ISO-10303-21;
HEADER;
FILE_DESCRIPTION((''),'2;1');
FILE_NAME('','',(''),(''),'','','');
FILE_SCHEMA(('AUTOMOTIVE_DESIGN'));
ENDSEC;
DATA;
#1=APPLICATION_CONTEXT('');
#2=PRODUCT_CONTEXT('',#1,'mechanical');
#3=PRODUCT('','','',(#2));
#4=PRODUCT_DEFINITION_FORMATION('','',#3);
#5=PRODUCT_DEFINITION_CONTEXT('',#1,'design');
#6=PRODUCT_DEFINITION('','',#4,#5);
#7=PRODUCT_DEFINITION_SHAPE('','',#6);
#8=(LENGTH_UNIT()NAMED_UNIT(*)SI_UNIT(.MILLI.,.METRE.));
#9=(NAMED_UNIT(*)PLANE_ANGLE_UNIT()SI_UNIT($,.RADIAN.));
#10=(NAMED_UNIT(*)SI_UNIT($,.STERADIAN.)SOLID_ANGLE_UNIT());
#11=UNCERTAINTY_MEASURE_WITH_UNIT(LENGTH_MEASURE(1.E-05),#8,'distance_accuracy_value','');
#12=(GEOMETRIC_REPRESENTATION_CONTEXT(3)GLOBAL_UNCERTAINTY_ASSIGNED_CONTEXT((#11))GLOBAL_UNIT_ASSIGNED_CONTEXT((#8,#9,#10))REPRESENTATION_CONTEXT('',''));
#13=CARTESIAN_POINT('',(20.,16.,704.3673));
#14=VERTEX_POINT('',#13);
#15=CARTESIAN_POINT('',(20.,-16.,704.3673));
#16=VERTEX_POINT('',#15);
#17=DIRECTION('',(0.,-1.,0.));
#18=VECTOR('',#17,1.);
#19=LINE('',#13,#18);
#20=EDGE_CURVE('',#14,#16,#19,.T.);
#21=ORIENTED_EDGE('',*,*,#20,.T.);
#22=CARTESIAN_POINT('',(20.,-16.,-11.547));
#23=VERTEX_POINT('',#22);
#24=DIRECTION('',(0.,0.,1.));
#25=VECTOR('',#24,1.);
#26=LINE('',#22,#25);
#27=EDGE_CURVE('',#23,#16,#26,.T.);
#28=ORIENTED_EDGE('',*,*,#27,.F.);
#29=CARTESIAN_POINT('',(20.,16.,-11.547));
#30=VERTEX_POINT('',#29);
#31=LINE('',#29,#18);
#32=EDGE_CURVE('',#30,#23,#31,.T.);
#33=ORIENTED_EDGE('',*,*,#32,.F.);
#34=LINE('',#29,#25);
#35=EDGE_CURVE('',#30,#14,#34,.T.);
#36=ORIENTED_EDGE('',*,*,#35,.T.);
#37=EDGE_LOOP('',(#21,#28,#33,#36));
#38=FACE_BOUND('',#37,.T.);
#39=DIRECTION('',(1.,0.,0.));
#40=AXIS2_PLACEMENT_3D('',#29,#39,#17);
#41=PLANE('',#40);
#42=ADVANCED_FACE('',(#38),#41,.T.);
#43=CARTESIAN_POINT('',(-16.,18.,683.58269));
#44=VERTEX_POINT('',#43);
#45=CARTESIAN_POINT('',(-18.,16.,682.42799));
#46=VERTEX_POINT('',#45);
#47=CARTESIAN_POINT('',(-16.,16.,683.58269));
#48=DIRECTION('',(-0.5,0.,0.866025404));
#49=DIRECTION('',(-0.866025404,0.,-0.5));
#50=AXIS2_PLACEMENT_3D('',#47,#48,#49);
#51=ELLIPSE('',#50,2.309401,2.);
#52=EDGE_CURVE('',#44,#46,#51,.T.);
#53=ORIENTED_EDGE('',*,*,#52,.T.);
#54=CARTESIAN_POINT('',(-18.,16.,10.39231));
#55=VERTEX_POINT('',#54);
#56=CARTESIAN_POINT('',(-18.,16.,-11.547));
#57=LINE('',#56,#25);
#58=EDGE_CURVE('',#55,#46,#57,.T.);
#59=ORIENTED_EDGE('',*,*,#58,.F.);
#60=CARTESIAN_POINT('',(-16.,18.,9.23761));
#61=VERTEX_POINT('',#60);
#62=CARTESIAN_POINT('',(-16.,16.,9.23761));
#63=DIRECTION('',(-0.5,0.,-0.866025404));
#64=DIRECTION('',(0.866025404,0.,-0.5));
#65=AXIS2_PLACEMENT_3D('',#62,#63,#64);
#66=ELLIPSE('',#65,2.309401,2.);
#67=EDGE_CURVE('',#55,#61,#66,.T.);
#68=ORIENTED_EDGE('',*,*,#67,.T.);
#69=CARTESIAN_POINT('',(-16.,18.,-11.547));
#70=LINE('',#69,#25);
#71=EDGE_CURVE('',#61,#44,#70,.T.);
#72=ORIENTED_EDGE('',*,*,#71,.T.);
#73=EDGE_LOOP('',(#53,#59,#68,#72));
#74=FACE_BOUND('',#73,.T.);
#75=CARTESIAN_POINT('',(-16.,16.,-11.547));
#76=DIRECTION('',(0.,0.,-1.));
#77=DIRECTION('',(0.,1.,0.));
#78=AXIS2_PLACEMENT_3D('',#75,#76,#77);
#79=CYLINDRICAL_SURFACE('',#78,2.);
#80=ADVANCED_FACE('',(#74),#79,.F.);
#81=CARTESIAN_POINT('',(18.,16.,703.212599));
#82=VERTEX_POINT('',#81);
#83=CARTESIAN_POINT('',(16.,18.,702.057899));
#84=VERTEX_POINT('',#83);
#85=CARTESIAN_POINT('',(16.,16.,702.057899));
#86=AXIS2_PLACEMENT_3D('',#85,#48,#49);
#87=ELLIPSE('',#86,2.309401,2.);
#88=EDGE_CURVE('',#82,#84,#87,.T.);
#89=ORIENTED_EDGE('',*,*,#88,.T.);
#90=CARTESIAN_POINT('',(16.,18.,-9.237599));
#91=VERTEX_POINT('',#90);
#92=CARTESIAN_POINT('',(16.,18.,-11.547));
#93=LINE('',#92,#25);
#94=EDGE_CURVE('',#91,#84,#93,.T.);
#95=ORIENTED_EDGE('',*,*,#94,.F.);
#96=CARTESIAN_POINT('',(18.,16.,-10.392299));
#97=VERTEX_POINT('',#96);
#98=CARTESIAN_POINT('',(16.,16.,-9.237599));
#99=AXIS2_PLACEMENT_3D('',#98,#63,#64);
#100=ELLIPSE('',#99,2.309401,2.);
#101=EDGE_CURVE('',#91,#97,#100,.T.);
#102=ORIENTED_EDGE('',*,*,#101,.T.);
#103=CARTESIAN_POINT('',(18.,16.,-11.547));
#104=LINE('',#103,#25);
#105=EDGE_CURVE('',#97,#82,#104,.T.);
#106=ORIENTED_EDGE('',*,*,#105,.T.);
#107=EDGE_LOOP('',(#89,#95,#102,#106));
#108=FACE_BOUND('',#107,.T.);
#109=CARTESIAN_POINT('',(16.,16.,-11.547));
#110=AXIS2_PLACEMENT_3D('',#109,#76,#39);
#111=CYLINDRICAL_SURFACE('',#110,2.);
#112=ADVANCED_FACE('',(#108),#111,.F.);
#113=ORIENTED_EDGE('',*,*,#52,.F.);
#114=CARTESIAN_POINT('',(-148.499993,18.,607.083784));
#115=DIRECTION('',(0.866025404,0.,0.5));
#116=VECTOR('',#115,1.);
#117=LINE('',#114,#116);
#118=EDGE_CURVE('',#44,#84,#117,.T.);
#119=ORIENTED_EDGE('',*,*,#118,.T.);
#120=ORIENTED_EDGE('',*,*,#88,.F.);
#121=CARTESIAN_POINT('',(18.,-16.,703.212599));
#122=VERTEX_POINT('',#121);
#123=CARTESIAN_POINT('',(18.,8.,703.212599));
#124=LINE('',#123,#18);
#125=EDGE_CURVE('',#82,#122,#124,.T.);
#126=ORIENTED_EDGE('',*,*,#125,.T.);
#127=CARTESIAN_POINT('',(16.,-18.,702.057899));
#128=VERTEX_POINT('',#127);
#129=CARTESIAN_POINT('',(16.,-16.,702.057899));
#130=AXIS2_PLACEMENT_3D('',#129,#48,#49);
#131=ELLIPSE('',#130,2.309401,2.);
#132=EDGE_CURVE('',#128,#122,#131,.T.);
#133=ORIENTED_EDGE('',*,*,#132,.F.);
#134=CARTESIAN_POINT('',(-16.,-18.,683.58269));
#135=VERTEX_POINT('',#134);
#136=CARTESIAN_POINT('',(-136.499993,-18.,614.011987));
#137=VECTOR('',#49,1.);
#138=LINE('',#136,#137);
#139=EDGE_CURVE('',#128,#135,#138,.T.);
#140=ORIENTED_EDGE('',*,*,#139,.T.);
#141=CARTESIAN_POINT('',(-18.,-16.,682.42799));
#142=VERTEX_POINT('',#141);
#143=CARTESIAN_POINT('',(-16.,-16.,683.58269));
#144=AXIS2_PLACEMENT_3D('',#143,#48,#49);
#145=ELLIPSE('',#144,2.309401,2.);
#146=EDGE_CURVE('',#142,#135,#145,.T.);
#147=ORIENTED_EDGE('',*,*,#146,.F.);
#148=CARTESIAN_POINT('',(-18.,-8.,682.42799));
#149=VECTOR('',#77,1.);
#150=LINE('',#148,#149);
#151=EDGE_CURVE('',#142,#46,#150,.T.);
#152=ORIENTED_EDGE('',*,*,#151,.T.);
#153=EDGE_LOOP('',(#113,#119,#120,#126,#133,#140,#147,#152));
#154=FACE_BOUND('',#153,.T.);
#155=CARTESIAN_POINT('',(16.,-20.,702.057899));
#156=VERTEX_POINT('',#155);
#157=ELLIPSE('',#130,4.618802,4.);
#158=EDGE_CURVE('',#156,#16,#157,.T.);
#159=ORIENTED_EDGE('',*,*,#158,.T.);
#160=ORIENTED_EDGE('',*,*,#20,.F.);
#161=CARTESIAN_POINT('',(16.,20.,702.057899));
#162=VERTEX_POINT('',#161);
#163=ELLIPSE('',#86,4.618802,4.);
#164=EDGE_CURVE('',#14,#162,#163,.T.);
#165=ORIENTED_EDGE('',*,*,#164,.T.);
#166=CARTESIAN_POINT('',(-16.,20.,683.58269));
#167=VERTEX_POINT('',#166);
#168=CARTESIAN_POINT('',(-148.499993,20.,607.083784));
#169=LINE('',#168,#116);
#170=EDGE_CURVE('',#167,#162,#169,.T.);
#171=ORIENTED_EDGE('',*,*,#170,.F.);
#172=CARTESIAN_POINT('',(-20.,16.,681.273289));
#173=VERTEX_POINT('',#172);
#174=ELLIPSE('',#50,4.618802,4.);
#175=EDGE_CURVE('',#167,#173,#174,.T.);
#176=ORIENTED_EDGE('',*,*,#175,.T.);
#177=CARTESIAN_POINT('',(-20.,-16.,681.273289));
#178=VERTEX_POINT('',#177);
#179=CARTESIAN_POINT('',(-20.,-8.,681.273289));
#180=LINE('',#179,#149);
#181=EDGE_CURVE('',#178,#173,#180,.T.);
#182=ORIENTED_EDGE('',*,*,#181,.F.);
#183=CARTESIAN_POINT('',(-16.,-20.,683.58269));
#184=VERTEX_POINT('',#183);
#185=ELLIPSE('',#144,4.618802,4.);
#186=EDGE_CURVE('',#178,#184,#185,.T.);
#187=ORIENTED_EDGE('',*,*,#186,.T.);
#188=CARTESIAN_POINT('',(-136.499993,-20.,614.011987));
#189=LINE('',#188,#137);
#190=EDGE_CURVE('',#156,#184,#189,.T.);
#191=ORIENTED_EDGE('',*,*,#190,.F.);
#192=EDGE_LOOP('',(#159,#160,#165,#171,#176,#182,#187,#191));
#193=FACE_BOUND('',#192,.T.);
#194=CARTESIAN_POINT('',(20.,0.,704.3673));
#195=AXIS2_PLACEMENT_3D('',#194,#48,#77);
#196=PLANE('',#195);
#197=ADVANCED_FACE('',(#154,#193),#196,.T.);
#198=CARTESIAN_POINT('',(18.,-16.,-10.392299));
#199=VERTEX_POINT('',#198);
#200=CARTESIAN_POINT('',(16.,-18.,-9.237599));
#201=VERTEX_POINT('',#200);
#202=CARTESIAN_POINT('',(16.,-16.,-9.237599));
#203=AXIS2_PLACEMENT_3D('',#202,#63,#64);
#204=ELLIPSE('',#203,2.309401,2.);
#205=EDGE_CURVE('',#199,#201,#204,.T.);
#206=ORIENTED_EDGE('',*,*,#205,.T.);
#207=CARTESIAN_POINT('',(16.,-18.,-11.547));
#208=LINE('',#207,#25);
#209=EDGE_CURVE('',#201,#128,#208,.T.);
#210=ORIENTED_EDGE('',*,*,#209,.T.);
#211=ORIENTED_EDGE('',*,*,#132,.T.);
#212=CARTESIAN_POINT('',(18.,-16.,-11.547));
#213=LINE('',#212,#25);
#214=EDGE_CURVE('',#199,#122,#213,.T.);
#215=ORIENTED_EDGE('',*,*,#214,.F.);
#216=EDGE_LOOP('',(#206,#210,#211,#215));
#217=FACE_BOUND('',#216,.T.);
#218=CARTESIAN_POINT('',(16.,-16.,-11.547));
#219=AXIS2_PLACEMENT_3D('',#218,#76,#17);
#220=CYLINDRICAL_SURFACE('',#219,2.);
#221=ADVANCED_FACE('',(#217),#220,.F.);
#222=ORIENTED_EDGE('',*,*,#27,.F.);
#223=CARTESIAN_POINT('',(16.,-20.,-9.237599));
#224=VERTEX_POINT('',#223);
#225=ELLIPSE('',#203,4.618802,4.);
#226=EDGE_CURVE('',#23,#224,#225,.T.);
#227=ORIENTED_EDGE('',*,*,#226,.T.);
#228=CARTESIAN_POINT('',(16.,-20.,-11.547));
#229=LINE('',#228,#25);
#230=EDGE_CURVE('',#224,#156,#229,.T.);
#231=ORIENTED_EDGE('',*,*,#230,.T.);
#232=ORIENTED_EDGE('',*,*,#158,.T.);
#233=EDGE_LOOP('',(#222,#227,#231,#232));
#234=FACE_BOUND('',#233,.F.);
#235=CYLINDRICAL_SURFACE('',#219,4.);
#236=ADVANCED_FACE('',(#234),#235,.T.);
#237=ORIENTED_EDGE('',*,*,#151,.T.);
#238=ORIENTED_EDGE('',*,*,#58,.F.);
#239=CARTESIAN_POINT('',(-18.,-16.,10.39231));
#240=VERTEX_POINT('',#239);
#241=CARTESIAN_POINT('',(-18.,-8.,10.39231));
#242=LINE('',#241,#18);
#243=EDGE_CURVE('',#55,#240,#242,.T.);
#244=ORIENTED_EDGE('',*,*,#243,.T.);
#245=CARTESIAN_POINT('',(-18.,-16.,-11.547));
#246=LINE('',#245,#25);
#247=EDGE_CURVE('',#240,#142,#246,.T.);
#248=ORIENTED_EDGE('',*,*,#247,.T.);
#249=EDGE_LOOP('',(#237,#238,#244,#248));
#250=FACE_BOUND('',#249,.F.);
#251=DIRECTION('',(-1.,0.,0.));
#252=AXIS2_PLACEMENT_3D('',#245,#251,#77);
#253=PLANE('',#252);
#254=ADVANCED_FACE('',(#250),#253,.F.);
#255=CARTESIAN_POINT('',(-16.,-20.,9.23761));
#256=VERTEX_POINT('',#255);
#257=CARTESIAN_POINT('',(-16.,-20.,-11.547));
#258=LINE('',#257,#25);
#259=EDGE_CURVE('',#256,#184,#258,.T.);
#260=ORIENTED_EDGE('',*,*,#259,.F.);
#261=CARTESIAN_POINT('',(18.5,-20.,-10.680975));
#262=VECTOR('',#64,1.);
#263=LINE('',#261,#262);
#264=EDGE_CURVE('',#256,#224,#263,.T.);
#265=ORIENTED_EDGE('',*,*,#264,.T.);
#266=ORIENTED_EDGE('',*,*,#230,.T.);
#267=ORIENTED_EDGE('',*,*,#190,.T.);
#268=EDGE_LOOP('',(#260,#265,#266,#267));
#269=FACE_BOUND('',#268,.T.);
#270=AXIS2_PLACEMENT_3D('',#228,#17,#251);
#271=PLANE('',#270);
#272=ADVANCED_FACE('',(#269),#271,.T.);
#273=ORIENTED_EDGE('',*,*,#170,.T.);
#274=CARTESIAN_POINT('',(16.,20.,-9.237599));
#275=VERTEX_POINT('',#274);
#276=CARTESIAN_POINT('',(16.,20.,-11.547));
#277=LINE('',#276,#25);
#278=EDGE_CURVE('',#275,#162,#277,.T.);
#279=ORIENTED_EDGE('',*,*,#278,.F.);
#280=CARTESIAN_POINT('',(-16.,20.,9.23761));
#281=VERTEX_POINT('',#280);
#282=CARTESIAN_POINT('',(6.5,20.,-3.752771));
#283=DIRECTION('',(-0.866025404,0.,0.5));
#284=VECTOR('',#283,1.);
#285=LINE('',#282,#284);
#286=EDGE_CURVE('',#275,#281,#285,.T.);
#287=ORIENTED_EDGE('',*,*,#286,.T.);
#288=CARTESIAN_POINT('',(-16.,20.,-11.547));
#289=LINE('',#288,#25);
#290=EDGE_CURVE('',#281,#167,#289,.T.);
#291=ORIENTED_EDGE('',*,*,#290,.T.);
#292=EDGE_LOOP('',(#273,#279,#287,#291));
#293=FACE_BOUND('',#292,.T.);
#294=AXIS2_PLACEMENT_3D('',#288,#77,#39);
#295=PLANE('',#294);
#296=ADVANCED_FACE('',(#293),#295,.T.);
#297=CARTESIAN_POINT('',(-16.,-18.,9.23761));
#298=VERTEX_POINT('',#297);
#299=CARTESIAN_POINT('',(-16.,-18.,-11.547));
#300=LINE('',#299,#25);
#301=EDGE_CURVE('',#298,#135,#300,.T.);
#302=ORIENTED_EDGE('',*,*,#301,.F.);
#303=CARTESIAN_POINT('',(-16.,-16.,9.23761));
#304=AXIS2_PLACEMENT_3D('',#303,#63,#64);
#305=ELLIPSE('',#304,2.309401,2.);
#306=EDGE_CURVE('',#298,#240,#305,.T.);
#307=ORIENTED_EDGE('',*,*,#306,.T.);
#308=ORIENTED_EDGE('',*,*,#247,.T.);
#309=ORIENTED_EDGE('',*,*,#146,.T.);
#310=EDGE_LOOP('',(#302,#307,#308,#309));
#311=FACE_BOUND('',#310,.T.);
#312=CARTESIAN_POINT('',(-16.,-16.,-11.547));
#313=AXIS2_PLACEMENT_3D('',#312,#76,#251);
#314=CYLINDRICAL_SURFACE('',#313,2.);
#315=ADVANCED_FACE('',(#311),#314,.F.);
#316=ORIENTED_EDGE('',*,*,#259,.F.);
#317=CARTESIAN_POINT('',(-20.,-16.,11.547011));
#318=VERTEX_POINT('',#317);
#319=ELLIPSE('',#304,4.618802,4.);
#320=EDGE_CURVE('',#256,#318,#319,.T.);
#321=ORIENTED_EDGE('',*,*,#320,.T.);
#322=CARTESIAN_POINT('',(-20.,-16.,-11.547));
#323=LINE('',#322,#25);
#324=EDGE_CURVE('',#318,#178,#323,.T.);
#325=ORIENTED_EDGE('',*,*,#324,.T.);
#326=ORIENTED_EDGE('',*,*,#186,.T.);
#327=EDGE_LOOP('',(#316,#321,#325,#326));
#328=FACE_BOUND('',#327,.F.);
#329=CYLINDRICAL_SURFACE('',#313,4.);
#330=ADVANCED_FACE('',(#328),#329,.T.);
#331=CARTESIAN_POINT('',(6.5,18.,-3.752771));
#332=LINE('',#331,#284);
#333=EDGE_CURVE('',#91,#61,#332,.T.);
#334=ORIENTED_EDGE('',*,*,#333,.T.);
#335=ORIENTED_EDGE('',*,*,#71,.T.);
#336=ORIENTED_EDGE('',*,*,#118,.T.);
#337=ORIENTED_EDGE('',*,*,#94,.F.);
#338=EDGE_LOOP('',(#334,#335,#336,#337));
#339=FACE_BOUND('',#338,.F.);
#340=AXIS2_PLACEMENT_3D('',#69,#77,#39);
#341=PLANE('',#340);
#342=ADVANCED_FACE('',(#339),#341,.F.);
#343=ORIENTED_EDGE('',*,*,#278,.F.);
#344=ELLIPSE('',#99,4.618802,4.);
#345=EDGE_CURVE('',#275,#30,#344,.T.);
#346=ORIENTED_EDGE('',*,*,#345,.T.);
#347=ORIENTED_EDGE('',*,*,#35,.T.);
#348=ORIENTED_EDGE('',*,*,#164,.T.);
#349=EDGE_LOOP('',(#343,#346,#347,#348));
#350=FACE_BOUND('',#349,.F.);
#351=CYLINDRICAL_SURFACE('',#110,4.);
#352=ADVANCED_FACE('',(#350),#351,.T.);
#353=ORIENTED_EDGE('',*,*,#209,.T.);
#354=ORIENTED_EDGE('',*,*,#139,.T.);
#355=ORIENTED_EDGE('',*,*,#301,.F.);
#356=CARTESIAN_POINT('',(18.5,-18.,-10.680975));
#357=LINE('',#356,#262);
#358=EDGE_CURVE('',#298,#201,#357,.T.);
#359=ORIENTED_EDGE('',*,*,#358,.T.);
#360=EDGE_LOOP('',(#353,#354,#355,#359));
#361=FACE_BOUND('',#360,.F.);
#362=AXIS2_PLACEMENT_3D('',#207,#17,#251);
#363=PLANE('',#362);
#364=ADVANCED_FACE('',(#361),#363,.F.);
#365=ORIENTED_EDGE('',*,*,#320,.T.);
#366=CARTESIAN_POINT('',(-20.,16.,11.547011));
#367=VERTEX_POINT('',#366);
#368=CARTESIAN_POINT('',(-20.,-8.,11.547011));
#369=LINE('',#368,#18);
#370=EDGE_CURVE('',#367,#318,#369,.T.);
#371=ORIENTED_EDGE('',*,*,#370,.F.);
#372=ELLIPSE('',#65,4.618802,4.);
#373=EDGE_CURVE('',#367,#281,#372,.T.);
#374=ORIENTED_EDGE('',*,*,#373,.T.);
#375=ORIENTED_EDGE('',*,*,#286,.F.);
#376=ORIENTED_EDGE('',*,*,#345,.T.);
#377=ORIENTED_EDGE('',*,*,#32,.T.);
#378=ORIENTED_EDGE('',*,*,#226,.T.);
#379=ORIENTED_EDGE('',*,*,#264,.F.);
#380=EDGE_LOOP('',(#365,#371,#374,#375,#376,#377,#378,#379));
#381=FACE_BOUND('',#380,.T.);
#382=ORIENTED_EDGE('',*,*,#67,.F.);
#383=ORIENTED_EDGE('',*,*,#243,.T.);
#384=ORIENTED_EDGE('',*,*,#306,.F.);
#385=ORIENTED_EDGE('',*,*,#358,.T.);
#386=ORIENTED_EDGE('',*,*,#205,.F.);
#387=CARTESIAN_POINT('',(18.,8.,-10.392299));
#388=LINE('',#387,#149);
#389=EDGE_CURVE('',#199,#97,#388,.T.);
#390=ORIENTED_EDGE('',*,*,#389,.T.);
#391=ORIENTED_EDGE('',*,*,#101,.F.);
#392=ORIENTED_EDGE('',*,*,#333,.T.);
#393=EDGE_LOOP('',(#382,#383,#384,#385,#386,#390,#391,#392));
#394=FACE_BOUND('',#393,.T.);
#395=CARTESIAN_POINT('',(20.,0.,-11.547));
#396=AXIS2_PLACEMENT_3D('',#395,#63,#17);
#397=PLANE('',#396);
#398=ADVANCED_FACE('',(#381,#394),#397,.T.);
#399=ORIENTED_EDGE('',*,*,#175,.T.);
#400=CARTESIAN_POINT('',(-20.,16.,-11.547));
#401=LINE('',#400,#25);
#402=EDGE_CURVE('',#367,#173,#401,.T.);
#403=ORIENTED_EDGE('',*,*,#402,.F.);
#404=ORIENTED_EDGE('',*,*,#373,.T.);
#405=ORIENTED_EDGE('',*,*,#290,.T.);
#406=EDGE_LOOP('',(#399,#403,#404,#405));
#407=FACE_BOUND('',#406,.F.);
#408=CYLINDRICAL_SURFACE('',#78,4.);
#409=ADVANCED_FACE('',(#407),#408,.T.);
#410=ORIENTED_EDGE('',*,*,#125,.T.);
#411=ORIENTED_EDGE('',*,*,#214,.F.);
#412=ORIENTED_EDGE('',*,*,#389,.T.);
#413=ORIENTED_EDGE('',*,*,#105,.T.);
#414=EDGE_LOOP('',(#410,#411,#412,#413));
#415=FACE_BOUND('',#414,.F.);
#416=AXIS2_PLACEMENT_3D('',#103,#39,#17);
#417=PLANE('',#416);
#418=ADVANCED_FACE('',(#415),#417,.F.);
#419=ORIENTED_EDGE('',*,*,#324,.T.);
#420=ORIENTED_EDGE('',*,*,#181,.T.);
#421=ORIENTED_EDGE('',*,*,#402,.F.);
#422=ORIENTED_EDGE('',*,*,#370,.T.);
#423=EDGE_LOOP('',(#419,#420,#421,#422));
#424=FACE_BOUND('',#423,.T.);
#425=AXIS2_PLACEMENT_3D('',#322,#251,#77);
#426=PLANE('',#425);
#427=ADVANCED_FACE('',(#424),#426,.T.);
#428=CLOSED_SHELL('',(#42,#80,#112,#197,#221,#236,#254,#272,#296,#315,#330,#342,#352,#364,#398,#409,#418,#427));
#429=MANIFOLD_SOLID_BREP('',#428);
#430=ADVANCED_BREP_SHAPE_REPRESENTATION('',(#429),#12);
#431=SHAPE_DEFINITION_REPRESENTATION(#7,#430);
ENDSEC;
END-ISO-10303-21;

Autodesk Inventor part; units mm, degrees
ref_plane "Start Plane" through (0, 0, -11.547) normal (0, 0, 1) x (1, 0, 0)
ref_plane "End Plane" through (0, 0, 704.3673) normal (0, 0, 1) x (1, 0, 0)
sketch "Sketch" plane through (0, 0, 0) normal (0, 0, 1) x (1, 0, 0)
  line L0 (-20, -16) -> (-20, 16)
  line L1 (-16, 20) -> (16, 20)
  line L2 (20, 16) -> (20, -16)
  line L3 (16, -20) -> (-16, -20)
  arc A0 (-20, -16) -> (-16, -20) centre (-16, -16) ccw
  arc A1 (20, 16) -> (16, 20) centre (16, 16) ccw
  arc A2 (-16, 20) -> (-20, 16) centre (-16, 16) ccw
  arc A3 (16, -20) -> (20, -16) centre (16, -16) ccw
  arc A4 (-16, 18) -> (-18, 16) centre (-16, 16) ccw
  line L4 (-16, 18) -> (16, 18)
  arc A5 (18, 16) -> (16, 18) centre (16, 16) ccw
  line L5 (18, 16) -> (18, -16)
  arc A6 (16, -18) -> (18, -16) centre (16, -16) ccw
  line L6 (16, -18) -> (-16, -18)
  arc A7 (-18, -16) -> (-16, -18) centre (-16, -16) ccw
  line L7 (-18, -16) -> (-18, 16)
  line L8 (0, 29.1598) -> (0, -29.1598) construction
  line L9 (-29.1598, 0) -> (29.1598, 0) construction
  dimension "d7" = 4
  dimension "d9" = 40
  dimension "d11" = 40
  dimension "d12" = 2
  dimension "d15" = 20
  dimension "d16" = 20
extrude "Body" add sketch "Sketch" along normal up to surface (715.9143 mm away) from surface at -11.547
sketch "Sketch3" plane through (0, 0, 0) normal (0, 0, 1) x (1, 0, 0)
  line L0 (0, 0) -> (10, 0)
ref_plane "Work Plane3" through (0, 0, 0) normal (0, -1, 0) x (1, 0, 0)
sketch "Sketch4" plane through (0, 0, 0) normal (0, -1, 0) x (1, 0, 0)
  line L0 (-2, -11.547) -> (12, -11.547)
  line L1 (-2, 704.3673) -> (12, 704.3673)
  dimension "d18" = 715.9143
ref_plane "Work Plane4" through (20, 0, 704.3673) normal (-0.5, 0, 0.866) x (0.866, 0, 0.5)
split "Split1" plane through (20, 0, 704.3673) removes the side toward (-0.5, 0, 0.866)
ref_plane "Work Plane5" through (20, 0, -11.547) normal (-0.5, 0, -0.866) x (-0.866, 0, 0.5)
split "Split2" plane through (20, 0, -11.547) removes the side toward (-0.5, 0, -0.866)
equation "\"d7\" = G_IR"
equation "\"d9\" = G_W"
equation "\"d11\" = G_H"
equation "\"d12\" = G_T"
equation "\"d15\" = 0.5 * d9"
equation "\"d16\" = 0.5 * d11"
equation "\"d3\" = G_L"
equation "\"G_W\" = 40"
equation "\"G_H\" = 40"
equation "\"G_T\" = 2"
equation "\"G_IR\" = 4"
equation "\"G_L\" = d18"
equation "\"G_OFFSET_START\" = 11.54701"
equation "\"G_OFFSET_END\" = 11.54701"
equation "\"d13\" = -G_OFFSET_START"
equation "\"d14\" = G_OFFSET_END + B_L"
equation "\"B_L\" = 692.82032"
properties part number "ISO 10799-2 - 40x40x2 - 715,91" material "Steel, Mild"
